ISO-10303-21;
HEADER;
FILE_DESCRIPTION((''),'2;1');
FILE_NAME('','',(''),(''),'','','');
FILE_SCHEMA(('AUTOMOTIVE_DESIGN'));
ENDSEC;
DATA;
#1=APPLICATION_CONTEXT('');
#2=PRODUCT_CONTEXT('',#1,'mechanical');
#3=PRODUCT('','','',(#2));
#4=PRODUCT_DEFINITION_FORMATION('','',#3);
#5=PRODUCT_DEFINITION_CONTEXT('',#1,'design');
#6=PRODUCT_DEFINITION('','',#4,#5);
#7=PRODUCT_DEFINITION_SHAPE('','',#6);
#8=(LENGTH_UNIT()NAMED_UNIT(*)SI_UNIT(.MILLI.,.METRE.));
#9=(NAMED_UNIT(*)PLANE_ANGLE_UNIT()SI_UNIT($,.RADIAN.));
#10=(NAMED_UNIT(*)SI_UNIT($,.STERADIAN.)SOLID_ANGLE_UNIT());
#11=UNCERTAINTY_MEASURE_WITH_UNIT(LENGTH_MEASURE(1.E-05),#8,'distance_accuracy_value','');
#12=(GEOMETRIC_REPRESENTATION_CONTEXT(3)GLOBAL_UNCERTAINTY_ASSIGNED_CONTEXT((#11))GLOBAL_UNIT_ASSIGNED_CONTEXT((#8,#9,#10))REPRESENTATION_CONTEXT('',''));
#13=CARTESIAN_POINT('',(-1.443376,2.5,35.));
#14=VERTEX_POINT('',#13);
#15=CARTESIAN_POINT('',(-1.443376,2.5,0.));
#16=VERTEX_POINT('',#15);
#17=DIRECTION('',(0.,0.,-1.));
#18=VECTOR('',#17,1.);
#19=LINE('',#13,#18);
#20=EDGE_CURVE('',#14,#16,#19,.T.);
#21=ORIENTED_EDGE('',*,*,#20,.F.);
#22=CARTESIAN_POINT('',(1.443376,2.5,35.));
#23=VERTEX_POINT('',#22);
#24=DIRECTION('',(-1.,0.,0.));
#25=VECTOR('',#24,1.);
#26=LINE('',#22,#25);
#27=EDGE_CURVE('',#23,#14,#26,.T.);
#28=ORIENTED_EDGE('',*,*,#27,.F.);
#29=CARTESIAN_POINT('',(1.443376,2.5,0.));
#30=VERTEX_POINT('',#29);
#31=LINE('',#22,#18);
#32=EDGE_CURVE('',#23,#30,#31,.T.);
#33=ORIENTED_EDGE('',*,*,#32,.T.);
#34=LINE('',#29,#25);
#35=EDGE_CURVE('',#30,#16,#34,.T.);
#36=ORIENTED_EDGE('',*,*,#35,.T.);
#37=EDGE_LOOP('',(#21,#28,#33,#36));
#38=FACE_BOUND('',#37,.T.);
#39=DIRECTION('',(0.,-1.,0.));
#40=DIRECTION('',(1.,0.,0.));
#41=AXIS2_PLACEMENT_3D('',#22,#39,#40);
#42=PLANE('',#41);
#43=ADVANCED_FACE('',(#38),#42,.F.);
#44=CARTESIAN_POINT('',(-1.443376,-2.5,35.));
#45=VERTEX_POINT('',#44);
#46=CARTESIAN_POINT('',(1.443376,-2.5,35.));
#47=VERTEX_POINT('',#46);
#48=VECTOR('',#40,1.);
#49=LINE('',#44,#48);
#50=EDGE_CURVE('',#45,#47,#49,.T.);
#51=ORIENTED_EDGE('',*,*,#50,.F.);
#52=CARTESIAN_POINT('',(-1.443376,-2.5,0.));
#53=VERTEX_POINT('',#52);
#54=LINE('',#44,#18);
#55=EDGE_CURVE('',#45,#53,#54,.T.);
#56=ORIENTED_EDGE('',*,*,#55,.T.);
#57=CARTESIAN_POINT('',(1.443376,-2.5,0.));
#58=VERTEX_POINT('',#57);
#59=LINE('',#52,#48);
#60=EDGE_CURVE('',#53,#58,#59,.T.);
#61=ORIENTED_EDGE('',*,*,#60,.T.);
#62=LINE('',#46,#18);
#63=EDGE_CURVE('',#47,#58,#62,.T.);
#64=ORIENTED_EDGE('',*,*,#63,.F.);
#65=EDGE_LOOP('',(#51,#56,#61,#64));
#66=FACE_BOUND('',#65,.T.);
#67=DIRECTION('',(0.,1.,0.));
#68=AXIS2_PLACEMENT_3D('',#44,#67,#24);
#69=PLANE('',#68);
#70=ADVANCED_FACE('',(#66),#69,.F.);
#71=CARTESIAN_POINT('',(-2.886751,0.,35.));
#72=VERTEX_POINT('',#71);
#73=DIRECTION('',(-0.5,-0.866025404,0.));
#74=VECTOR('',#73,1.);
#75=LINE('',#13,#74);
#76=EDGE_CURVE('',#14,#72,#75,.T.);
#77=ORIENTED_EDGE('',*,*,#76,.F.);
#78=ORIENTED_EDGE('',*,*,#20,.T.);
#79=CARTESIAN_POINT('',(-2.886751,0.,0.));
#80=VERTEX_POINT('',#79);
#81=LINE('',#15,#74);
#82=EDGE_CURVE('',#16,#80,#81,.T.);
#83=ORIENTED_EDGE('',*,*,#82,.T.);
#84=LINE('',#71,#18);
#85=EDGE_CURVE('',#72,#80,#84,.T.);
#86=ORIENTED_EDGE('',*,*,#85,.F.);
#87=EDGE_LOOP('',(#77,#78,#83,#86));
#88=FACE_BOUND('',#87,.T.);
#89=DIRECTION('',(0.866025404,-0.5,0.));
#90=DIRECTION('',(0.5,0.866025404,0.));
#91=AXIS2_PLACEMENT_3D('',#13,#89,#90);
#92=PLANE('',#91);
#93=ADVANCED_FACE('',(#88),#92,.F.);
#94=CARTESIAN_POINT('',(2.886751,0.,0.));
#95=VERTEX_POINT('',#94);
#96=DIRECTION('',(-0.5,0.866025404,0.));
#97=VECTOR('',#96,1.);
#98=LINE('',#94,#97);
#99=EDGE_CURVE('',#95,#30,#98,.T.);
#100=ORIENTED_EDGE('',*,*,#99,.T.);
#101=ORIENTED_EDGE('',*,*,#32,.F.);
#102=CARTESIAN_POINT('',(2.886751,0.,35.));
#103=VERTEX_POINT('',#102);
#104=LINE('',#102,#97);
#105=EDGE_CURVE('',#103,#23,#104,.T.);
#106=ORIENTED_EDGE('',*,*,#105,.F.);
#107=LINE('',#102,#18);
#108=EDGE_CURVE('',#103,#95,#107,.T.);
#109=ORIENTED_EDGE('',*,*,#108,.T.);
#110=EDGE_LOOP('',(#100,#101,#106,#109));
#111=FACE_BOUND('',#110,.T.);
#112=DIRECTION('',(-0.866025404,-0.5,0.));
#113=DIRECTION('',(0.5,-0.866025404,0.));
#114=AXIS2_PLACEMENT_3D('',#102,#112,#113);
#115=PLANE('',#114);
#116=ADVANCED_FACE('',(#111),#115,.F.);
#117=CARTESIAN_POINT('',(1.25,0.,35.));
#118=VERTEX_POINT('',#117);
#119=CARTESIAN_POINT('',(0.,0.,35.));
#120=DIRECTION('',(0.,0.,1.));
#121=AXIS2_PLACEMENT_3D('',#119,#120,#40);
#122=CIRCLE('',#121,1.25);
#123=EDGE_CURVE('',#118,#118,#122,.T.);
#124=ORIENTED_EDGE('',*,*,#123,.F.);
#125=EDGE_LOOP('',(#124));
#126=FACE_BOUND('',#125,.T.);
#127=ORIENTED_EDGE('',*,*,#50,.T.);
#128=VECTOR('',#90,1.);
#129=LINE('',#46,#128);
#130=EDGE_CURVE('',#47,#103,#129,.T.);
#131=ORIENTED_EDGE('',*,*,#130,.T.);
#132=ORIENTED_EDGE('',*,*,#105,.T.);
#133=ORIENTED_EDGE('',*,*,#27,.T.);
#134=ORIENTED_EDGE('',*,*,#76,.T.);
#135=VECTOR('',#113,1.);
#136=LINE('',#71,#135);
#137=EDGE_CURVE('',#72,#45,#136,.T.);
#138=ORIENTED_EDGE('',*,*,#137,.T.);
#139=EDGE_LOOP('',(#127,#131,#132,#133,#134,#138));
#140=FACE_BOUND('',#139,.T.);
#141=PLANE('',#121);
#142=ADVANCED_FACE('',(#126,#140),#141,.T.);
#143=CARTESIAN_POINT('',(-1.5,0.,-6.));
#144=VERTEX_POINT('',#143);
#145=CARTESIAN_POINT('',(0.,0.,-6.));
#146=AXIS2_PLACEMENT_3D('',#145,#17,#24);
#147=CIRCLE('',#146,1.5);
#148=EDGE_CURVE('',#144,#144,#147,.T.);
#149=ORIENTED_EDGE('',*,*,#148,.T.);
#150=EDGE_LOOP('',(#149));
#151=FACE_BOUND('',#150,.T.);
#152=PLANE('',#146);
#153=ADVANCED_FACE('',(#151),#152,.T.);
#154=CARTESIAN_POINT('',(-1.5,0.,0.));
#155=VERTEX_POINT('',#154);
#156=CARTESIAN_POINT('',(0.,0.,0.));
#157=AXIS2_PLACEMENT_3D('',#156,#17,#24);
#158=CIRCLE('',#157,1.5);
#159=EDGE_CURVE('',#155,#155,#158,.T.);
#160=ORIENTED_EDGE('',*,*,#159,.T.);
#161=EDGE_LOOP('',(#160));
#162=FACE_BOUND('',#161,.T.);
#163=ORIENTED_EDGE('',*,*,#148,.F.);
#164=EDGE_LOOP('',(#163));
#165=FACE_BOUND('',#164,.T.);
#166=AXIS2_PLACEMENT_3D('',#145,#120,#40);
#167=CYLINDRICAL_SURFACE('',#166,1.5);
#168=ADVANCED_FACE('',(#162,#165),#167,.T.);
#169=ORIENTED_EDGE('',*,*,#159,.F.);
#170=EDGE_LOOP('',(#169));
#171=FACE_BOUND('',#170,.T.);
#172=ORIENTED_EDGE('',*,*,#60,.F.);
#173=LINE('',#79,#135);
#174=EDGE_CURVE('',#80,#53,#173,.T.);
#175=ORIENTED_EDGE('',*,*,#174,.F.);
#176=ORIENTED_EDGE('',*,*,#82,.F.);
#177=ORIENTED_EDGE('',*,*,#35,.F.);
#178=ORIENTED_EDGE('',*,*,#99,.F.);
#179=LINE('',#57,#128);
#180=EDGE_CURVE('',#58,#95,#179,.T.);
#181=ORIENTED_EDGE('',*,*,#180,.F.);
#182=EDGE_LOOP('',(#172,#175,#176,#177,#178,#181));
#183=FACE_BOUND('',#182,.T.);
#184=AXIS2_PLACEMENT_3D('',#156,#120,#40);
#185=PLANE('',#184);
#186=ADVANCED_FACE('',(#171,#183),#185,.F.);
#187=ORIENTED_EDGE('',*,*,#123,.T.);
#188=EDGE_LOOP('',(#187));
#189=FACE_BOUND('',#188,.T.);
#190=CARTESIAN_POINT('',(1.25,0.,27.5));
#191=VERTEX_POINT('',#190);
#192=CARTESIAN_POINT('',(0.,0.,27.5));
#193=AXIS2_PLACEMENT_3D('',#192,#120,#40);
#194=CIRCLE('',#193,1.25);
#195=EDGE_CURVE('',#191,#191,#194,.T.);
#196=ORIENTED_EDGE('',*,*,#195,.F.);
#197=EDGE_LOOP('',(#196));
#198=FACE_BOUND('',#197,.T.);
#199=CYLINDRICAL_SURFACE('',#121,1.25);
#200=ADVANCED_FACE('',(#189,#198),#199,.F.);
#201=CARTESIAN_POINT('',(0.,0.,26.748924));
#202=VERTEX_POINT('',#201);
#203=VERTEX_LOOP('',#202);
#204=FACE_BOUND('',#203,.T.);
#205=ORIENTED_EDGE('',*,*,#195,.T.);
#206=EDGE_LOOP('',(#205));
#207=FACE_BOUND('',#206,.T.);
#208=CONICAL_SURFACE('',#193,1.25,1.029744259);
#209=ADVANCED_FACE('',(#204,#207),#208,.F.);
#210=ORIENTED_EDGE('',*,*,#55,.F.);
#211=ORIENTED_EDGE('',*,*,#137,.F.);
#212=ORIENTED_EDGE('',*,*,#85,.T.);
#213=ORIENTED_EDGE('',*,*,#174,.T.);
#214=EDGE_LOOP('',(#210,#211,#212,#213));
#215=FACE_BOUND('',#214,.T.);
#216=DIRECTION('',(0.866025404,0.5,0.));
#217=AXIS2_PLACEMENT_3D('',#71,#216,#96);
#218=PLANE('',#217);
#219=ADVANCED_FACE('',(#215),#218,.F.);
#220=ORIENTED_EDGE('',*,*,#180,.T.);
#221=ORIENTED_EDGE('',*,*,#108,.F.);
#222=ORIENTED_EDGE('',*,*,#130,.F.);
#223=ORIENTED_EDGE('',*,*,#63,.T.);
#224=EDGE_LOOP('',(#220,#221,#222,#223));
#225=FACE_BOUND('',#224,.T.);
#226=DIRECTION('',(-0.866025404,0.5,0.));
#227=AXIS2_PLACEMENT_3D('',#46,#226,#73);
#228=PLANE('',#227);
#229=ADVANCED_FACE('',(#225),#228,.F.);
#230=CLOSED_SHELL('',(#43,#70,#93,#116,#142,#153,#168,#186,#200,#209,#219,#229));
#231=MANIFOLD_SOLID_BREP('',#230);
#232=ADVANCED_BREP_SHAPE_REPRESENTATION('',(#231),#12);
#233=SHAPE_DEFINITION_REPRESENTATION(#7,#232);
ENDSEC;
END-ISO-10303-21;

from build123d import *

# Parameters (mm, degrees)
EXTRUDE_1_DEPTH = 35
SKETCH_4_R      = 1.5
EXTRUDE_2_DEPTH = 6
M3X0_5_1_D      = 2.5
M3X0_5_1_DEPTH  = 7.5
M3X0_5_1_TIP    = 0.751075774


with BuildPart() as part:
    # 草圖1 → 填料-伸長1 (new body)
    with BuildSketch(Plane.XY):
        Polygon((-1.443375673, 2.5), (-2.886751346, 0), (-1.443375673, -2.5), (1.443375673, -2.5), (2.886751346, 0), (1.443375673, 2.5), align=None)
    extrude(amount=EXTRUDE_1_DEPTH)

    # 草圖4 → 填料-伸長2 (add)
    with BuildSketch(Plane(origin=(0, 0, 0), x_dir=(-1, 0, 0), z_dir=(0, 0, -1))):
        Circle(SKETCH_4_R)
    extrude(amount=EXTRUDE_2_DEPTH)

    # M3x0.5 螺紋孔1
    with Locations(Plane.XY.offset(35)):
        with Locations((0, 0)):
            Hole(M3X0_5_1_D / 2, depth=M3X0_5_1_DEPTH)
            with Locations((0, 0, -(M3X0_5_1_DEPTH + M3X0_5_1_TIP / 2))):  # 118° drill point
                Cone(0, M3X0_5_1_D / 2, M3X0_5_1_TIP, mode=Mode.SUBTRACT)


solid = part.part
